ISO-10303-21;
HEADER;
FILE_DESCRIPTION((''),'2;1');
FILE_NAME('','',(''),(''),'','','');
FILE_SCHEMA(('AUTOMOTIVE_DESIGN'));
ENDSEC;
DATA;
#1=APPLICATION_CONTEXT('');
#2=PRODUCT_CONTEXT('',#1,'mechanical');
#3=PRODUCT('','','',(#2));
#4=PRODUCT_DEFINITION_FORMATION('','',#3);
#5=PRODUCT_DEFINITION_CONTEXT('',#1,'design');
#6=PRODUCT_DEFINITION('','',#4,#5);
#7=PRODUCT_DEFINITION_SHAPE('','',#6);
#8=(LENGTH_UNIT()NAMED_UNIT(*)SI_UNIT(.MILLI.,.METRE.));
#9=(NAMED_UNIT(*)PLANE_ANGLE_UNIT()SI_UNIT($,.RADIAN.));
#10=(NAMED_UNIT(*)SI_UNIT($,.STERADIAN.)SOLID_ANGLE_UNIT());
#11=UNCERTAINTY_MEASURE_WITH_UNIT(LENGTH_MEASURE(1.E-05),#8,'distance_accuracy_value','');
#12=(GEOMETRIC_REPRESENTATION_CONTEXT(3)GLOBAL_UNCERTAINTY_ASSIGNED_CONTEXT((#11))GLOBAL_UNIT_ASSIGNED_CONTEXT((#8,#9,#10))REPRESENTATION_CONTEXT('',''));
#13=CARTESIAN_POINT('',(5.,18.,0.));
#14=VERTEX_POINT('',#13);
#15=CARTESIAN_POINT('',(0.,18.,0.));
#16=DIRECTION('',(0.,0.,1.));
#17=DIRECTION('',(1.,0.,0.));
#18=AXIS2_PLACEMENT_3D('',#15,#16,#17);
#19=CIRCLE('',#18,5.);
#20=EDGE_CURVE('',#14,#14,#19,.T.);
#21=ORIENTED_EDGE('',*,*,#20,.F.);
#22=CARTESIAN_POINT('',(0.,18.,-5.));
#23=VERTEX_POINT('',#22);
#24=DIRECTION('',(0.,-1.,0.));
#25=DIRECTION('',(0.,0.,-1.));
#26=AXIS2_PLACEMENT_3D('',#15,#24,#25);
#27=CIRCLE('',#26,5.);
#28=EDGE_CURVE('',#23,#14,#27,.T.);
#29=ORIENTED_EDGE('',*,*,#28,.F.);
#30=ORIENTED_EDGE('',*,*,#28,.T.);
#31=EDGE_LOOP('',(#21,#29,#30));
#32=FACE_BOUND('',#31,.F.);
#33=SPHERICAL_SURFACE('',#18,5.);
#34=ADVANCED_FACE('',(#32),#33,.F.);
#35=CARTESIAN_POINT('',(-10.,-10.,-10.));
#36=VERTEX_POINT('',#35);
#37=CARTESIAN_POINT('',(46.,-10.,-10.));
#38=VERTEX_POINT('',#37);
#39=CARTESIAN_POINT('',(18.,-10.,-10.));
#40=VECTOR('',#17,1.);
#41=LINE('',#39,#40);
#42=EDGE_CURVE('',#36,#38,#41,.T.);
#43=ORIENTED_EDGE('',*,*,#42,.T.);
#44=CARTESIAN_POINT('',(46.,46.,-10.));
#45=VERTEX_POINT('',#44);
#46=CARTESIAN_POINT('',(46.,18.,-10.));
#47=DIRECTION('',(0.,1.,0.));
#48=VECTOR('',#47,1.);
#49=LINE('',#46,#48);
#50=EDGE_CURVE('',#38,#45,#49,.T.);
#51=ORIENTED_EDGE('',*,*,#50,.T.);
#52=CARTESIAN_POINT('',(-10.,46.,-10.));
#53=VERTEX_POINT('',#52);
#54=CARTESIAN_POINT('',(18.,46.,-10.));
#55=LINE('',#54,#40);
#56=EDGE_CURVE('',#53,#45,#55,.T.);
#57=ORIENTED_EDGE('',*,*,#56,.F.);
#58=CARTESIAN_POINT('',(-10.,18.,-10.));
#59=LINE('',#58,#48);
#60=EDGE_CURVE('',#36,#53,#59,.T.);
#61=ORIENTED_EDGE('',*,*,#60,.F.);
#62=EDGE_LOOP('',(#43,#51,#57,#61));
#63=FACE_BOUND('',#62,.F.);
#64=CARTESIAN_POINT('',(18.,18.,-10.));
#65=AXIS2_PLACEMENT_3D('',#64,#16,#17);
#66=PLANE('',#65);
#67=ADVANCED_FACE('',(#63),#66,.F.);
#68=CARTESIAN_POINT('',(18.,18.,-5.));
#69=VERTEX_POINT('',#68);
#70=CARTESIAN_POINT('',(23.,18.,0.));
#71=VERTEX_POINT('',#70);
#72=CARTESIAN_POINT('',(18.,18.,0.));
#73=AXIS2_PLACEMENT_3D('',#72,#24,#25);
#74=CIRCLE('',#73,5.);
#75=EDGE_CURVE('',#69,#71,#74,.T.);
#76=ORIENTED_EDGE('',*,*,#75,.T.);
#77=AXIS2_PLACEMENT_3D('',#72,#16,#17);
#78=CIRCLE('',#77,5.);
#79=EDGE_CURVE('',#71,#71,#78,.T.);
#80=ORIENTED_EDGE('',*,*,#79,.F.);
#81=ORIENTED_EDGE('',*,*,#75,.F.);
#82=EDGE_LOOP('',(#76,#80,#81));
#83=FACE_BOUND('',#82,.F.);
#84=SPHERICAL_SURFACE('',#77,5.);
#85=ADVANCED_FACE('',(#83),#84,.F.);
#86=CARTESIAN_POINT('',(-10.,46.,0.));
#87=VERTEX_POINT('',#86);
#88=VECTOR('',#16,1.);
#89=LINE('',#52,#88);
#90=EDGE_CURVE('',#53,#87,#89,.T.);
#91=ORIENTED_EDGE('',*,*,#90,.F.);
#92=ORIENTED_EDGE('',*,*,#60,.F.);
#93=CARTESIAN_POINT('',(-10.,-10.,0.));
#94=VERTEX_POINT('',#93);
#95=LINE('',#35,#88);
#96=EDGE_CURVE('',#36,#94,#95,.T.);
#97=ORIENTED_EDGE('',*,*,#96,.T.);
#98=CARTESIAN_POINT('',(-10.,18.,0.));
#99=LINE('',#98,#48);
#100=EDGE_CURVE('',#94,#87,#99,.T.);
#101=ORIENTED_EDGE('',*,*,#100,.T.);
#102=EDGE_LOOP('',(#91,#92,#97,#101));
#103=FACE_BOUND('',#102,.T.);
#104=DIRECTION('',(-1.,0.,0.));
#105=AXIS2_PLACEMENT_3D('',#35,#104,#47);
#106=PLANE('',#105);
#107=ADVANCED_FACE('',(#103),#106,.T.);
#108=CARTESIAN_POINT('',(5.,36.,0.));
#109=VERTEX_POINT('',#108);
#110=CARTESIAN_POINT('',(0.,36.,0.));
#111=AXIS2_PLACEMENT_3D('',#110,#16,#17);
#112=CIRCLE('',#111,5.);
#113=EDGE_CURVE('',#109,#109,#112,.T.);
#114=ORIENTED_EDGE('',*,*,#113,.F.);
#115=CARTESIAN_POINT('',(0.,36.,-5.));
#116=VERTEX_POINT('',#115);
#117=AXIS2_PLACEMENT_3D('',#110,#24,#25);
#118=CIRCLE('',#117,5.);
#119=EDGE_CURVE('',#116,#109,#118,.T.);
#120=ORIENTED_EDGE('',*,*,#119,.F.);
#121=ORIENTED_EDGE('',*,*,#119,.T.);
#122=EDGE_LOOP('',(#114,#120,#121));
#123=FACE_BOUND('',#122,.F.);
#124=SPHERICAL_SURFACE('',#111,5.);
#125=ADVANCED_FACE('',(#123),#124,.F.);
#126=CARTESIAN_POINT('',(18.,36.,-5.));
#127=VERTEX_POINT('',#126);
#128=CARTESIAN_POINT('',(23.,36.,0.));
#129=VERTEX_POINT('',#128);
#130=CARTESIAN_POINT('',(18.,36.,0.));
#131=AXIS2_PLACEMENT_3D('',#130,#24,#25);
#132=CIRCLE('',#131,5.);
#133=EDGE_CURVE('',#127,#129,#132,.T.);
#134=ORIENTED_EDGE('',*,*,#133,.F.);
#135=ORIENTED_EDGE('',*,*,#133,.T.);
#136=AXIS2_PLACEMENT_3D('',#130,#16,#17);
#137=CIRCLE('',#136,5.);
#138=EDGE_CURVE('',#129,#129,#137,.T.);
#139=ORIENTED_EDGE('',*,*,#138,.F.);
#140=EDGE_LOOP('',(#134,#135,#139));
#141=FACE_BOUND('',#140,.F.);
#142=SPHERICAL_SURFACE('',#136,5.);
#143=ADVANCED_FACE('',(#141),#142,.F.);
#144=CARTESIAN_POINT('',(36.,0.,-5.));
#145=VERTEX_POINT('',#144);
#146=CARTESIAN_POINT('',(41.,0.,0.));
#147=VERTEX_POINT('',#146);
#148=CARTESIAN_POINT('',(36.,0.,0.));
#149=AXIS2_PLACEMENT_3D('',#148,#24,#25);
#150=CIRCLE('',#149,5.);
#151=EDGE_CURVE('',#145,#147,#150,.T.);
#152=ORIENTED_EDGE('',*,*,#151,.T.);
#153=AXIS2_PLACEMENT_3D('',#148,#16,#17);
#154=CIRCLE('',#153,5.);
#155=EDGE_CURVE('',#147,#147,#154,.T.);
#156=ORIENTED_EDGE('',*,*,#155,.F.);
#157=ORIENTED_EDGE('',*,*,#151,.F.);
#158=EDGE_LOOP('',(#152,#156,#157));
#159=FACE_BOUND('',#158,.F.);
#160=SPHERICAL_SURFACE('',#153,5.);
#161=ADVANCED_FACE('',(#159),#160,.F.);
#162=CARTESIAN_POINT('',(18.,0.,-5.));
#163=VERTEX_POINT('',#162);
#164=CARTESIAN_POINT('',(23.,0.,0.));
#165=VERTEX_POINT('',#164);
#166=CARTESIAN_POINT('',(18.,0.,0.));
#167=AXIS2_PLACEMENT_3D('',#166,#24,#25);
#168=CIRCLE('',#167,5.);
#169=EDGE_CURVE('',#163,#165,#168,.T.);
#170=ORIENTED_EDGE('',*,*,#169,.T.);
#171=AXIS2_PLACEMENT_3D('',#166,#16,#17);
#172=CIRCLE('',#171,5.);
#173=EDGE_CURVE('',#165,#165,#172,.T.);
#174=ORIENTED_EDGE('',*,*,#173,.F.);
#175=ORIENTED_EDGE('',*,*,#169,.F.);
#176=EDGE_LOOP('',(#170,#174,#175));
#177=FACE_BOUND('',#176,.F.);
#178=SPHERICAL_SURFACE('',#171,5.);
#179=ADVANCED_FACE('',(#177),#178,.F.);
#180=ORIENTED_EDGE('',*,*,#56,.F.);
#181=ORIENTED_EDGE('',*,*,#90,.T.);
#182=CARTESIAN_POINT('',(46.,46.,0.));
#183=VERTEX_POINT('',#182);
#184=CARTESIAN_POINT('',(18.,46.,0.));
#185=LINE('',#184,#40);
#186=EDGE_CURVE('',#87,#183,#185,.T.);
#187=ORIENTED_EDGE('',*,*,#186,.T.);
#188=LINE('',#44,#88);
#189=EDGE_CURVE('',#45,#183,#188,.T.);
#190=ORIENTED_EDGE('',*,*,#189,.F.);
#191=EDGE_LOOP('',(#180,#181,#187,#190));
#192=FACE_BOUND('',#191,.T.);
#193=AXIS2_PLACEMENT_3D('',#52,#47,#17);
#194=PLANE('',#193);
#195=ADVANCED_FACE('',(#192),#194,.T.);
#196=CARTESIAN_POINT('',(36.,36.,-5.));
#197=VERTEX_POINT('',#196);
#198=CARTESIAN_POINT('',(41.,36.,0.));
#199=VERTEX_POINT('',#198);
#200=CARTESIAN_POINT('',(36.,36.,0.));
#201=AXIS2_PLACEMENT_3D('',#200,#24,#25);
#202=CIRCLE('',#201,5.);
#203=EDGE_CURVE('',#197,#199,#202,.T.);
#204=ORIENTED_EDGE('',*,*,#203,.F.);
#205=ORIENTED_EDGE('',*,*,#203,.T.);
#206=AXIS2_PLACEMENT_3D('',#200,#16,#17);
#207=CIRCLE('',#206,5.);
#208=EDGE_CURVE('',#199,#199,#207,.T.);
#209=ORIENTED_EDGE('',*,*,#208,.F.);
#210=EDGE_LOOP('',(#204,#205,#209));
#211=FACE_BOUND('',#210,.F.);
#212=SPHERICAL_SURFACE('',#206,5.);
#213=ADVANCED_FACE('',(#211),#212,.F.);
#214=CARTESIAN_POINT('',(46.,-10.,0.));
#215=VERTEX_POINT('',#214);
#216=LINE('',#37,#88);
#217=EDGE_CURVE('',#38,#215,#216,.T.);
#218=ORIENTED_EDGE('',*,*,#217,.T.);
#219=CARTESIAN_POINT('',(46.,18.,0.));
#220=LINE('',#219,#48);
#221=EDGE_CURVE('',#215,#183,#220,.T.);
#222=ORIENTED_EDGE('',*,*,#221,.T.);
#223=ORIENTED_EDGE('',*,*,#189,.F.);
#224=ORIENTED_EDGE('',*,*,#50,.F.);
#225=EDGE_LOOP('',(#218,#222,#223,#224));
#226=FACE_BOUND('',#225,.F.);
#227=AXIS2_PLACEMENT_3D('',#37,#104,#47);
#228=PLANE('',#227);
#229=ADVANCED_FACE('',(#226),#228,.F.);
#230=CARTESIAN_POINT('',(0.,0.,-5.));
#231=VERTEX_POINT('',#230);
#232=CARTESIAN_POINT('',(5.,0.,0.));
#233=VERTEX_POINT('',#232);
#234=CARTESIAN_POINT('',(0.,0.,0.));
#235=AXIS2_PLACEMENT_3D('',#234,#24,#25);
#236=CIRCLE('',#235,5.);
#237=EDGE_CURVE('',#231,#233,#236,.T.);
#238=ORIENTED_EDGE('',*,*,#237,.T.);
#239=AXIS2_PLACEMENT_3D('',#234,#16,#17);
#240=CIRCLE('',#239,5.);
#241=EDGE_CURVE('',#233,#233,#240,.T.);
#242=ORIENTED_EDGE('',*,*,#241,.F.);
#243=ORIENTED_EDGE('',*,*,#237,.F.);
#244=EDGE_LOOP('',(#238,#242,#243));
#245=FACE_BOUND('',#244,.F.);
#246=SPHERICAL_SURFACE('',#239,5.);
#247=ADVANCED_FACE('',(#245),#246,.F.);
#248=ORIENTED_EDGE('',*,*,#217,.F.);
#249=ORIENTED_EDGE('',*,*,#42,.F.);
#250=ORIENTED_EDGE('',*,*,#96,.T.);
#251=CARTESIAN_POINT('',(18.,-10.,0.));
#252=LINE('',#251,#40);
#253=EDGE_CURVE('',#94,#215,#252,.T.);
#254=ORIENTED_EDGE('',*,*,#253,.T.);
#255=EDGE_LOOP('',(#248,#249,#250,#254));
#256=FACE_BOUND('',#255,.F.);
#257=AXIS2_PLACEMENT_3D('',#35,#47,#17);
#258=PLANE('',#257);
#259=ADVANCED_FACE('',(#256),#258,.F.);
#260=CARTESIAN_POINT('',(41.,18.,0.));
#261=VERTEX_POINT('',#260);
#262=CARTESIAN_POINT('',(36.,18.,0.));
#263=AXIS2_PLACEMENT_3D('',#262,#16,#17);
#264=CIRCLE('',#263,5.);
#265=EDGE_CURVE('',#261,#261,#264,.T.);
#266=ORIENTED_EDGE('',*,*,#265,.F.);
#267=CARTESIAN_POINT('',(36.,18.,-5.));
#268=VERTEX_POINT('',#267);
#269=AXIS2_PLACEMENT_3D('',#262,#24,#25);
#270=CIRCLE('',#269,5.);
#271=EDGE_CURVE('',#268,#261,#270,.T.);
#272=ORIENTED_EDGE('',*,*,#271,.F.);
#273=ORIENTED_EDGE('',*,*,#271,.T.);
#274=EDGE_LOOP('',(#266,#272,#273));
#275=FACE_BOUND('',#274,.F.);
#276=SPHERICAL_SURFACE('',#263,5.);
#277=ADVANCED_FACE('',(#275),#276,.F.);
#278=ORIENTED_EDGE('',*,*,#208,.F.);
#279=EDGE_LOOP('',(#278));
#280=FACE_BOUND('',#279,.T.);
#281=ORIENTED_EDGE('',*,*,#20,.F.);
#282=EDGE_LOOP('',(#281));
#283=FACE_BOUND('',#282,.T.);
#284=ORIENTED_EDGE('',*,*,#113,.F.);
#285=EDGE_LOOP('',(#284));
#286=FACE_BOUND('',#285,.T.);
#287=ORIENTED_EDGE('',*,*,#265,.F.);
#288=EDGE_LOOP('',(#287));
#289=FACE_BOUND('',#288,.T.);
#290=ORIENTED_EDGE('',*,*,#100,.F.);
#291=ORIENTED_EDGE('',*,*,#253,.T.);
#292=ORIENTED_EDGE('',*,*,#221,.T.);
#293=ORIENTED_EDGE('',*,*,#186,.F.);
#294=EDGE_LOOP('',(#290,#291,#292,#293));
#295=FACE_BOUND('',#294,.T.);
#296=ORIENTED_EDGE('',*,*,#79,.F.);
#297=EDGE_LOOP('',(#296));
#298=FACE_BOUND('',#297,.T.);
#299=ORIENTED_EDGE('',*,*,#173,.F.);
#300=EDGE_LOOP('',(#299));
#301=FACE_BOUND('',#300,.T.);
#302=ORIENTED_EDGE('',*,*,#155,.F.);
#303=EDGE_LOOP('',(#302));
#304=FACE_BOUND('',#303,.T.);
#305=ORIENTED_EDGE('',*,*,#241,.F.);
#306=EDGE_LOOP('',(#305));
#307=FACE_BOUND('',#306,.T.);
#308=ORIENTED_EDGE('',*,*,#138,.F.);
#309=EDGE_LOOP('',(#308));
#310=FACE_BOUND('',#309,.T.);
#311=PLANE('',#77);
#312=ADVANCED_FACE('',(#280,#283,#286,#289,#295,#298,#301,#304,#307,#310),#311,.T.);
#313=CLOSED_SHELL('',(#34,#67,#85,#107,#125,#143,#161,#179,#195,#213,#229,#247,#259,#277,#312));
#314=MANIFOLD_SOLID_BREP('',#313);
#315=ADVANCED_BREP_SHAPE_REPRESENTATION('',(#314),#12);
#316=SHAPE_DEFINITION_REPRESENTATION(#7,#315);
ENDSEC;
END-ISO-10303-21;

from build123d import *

# Parameters (mm, degrees)
ARRAY_X_COUNT = 3
ARRAY_X_PITCH = 18
ARRAY_Y_COUNT = 3
ARRAY_Y_PITCH = 18
BOX_W         = 56
BOX_H         = 56
BOX_DEPTH     = 10


with BuildPart() as array:
    # Sphere → Sphere (revolve)
    with BuildSketch(Plane.XZ):
        with BuildLine():
            ThreePointArc((0, -5), (5, 0), (0, 5))
            Line((0, 5), (0, -5))
        make_face()
    revolve(axis=Axis((0, 0, 0), (0, 0, 1)))

    # Array X: Array ×3


with BuildPart() as array_1:
    add(array.part)
    with Locations(*[(i * ARRAY_X_PITCH, 0, 0) for i in range(1, ARRAY_X_COUNT)]):
        add(array.part)

    # Array Y: Array ×3


with BuildPart() as array_2:
    add(array_1.part)
    with Locations(*[(0, i * ARRAY_Y_PITCH, 0) for i in range(1, ARRAY_Y_COUNT)]):
        add(array_1.part)


with BuildPart() as cut:
    # Box → Box (new body)
    with BuildSketch(Plane(origin=(-10, -10, -10), x_dir=(1, 0, 0), z_dir=(0, 0, 1))):
        with Locations((28, 28)):
            Rectangle(BOX_W, BOX_H)
    extrude(amount=BOX_DEPTH)

    # Cut: cut Array
    add(array_2.part, mode=Mode.SUBTRACT)


solid = cut.part
